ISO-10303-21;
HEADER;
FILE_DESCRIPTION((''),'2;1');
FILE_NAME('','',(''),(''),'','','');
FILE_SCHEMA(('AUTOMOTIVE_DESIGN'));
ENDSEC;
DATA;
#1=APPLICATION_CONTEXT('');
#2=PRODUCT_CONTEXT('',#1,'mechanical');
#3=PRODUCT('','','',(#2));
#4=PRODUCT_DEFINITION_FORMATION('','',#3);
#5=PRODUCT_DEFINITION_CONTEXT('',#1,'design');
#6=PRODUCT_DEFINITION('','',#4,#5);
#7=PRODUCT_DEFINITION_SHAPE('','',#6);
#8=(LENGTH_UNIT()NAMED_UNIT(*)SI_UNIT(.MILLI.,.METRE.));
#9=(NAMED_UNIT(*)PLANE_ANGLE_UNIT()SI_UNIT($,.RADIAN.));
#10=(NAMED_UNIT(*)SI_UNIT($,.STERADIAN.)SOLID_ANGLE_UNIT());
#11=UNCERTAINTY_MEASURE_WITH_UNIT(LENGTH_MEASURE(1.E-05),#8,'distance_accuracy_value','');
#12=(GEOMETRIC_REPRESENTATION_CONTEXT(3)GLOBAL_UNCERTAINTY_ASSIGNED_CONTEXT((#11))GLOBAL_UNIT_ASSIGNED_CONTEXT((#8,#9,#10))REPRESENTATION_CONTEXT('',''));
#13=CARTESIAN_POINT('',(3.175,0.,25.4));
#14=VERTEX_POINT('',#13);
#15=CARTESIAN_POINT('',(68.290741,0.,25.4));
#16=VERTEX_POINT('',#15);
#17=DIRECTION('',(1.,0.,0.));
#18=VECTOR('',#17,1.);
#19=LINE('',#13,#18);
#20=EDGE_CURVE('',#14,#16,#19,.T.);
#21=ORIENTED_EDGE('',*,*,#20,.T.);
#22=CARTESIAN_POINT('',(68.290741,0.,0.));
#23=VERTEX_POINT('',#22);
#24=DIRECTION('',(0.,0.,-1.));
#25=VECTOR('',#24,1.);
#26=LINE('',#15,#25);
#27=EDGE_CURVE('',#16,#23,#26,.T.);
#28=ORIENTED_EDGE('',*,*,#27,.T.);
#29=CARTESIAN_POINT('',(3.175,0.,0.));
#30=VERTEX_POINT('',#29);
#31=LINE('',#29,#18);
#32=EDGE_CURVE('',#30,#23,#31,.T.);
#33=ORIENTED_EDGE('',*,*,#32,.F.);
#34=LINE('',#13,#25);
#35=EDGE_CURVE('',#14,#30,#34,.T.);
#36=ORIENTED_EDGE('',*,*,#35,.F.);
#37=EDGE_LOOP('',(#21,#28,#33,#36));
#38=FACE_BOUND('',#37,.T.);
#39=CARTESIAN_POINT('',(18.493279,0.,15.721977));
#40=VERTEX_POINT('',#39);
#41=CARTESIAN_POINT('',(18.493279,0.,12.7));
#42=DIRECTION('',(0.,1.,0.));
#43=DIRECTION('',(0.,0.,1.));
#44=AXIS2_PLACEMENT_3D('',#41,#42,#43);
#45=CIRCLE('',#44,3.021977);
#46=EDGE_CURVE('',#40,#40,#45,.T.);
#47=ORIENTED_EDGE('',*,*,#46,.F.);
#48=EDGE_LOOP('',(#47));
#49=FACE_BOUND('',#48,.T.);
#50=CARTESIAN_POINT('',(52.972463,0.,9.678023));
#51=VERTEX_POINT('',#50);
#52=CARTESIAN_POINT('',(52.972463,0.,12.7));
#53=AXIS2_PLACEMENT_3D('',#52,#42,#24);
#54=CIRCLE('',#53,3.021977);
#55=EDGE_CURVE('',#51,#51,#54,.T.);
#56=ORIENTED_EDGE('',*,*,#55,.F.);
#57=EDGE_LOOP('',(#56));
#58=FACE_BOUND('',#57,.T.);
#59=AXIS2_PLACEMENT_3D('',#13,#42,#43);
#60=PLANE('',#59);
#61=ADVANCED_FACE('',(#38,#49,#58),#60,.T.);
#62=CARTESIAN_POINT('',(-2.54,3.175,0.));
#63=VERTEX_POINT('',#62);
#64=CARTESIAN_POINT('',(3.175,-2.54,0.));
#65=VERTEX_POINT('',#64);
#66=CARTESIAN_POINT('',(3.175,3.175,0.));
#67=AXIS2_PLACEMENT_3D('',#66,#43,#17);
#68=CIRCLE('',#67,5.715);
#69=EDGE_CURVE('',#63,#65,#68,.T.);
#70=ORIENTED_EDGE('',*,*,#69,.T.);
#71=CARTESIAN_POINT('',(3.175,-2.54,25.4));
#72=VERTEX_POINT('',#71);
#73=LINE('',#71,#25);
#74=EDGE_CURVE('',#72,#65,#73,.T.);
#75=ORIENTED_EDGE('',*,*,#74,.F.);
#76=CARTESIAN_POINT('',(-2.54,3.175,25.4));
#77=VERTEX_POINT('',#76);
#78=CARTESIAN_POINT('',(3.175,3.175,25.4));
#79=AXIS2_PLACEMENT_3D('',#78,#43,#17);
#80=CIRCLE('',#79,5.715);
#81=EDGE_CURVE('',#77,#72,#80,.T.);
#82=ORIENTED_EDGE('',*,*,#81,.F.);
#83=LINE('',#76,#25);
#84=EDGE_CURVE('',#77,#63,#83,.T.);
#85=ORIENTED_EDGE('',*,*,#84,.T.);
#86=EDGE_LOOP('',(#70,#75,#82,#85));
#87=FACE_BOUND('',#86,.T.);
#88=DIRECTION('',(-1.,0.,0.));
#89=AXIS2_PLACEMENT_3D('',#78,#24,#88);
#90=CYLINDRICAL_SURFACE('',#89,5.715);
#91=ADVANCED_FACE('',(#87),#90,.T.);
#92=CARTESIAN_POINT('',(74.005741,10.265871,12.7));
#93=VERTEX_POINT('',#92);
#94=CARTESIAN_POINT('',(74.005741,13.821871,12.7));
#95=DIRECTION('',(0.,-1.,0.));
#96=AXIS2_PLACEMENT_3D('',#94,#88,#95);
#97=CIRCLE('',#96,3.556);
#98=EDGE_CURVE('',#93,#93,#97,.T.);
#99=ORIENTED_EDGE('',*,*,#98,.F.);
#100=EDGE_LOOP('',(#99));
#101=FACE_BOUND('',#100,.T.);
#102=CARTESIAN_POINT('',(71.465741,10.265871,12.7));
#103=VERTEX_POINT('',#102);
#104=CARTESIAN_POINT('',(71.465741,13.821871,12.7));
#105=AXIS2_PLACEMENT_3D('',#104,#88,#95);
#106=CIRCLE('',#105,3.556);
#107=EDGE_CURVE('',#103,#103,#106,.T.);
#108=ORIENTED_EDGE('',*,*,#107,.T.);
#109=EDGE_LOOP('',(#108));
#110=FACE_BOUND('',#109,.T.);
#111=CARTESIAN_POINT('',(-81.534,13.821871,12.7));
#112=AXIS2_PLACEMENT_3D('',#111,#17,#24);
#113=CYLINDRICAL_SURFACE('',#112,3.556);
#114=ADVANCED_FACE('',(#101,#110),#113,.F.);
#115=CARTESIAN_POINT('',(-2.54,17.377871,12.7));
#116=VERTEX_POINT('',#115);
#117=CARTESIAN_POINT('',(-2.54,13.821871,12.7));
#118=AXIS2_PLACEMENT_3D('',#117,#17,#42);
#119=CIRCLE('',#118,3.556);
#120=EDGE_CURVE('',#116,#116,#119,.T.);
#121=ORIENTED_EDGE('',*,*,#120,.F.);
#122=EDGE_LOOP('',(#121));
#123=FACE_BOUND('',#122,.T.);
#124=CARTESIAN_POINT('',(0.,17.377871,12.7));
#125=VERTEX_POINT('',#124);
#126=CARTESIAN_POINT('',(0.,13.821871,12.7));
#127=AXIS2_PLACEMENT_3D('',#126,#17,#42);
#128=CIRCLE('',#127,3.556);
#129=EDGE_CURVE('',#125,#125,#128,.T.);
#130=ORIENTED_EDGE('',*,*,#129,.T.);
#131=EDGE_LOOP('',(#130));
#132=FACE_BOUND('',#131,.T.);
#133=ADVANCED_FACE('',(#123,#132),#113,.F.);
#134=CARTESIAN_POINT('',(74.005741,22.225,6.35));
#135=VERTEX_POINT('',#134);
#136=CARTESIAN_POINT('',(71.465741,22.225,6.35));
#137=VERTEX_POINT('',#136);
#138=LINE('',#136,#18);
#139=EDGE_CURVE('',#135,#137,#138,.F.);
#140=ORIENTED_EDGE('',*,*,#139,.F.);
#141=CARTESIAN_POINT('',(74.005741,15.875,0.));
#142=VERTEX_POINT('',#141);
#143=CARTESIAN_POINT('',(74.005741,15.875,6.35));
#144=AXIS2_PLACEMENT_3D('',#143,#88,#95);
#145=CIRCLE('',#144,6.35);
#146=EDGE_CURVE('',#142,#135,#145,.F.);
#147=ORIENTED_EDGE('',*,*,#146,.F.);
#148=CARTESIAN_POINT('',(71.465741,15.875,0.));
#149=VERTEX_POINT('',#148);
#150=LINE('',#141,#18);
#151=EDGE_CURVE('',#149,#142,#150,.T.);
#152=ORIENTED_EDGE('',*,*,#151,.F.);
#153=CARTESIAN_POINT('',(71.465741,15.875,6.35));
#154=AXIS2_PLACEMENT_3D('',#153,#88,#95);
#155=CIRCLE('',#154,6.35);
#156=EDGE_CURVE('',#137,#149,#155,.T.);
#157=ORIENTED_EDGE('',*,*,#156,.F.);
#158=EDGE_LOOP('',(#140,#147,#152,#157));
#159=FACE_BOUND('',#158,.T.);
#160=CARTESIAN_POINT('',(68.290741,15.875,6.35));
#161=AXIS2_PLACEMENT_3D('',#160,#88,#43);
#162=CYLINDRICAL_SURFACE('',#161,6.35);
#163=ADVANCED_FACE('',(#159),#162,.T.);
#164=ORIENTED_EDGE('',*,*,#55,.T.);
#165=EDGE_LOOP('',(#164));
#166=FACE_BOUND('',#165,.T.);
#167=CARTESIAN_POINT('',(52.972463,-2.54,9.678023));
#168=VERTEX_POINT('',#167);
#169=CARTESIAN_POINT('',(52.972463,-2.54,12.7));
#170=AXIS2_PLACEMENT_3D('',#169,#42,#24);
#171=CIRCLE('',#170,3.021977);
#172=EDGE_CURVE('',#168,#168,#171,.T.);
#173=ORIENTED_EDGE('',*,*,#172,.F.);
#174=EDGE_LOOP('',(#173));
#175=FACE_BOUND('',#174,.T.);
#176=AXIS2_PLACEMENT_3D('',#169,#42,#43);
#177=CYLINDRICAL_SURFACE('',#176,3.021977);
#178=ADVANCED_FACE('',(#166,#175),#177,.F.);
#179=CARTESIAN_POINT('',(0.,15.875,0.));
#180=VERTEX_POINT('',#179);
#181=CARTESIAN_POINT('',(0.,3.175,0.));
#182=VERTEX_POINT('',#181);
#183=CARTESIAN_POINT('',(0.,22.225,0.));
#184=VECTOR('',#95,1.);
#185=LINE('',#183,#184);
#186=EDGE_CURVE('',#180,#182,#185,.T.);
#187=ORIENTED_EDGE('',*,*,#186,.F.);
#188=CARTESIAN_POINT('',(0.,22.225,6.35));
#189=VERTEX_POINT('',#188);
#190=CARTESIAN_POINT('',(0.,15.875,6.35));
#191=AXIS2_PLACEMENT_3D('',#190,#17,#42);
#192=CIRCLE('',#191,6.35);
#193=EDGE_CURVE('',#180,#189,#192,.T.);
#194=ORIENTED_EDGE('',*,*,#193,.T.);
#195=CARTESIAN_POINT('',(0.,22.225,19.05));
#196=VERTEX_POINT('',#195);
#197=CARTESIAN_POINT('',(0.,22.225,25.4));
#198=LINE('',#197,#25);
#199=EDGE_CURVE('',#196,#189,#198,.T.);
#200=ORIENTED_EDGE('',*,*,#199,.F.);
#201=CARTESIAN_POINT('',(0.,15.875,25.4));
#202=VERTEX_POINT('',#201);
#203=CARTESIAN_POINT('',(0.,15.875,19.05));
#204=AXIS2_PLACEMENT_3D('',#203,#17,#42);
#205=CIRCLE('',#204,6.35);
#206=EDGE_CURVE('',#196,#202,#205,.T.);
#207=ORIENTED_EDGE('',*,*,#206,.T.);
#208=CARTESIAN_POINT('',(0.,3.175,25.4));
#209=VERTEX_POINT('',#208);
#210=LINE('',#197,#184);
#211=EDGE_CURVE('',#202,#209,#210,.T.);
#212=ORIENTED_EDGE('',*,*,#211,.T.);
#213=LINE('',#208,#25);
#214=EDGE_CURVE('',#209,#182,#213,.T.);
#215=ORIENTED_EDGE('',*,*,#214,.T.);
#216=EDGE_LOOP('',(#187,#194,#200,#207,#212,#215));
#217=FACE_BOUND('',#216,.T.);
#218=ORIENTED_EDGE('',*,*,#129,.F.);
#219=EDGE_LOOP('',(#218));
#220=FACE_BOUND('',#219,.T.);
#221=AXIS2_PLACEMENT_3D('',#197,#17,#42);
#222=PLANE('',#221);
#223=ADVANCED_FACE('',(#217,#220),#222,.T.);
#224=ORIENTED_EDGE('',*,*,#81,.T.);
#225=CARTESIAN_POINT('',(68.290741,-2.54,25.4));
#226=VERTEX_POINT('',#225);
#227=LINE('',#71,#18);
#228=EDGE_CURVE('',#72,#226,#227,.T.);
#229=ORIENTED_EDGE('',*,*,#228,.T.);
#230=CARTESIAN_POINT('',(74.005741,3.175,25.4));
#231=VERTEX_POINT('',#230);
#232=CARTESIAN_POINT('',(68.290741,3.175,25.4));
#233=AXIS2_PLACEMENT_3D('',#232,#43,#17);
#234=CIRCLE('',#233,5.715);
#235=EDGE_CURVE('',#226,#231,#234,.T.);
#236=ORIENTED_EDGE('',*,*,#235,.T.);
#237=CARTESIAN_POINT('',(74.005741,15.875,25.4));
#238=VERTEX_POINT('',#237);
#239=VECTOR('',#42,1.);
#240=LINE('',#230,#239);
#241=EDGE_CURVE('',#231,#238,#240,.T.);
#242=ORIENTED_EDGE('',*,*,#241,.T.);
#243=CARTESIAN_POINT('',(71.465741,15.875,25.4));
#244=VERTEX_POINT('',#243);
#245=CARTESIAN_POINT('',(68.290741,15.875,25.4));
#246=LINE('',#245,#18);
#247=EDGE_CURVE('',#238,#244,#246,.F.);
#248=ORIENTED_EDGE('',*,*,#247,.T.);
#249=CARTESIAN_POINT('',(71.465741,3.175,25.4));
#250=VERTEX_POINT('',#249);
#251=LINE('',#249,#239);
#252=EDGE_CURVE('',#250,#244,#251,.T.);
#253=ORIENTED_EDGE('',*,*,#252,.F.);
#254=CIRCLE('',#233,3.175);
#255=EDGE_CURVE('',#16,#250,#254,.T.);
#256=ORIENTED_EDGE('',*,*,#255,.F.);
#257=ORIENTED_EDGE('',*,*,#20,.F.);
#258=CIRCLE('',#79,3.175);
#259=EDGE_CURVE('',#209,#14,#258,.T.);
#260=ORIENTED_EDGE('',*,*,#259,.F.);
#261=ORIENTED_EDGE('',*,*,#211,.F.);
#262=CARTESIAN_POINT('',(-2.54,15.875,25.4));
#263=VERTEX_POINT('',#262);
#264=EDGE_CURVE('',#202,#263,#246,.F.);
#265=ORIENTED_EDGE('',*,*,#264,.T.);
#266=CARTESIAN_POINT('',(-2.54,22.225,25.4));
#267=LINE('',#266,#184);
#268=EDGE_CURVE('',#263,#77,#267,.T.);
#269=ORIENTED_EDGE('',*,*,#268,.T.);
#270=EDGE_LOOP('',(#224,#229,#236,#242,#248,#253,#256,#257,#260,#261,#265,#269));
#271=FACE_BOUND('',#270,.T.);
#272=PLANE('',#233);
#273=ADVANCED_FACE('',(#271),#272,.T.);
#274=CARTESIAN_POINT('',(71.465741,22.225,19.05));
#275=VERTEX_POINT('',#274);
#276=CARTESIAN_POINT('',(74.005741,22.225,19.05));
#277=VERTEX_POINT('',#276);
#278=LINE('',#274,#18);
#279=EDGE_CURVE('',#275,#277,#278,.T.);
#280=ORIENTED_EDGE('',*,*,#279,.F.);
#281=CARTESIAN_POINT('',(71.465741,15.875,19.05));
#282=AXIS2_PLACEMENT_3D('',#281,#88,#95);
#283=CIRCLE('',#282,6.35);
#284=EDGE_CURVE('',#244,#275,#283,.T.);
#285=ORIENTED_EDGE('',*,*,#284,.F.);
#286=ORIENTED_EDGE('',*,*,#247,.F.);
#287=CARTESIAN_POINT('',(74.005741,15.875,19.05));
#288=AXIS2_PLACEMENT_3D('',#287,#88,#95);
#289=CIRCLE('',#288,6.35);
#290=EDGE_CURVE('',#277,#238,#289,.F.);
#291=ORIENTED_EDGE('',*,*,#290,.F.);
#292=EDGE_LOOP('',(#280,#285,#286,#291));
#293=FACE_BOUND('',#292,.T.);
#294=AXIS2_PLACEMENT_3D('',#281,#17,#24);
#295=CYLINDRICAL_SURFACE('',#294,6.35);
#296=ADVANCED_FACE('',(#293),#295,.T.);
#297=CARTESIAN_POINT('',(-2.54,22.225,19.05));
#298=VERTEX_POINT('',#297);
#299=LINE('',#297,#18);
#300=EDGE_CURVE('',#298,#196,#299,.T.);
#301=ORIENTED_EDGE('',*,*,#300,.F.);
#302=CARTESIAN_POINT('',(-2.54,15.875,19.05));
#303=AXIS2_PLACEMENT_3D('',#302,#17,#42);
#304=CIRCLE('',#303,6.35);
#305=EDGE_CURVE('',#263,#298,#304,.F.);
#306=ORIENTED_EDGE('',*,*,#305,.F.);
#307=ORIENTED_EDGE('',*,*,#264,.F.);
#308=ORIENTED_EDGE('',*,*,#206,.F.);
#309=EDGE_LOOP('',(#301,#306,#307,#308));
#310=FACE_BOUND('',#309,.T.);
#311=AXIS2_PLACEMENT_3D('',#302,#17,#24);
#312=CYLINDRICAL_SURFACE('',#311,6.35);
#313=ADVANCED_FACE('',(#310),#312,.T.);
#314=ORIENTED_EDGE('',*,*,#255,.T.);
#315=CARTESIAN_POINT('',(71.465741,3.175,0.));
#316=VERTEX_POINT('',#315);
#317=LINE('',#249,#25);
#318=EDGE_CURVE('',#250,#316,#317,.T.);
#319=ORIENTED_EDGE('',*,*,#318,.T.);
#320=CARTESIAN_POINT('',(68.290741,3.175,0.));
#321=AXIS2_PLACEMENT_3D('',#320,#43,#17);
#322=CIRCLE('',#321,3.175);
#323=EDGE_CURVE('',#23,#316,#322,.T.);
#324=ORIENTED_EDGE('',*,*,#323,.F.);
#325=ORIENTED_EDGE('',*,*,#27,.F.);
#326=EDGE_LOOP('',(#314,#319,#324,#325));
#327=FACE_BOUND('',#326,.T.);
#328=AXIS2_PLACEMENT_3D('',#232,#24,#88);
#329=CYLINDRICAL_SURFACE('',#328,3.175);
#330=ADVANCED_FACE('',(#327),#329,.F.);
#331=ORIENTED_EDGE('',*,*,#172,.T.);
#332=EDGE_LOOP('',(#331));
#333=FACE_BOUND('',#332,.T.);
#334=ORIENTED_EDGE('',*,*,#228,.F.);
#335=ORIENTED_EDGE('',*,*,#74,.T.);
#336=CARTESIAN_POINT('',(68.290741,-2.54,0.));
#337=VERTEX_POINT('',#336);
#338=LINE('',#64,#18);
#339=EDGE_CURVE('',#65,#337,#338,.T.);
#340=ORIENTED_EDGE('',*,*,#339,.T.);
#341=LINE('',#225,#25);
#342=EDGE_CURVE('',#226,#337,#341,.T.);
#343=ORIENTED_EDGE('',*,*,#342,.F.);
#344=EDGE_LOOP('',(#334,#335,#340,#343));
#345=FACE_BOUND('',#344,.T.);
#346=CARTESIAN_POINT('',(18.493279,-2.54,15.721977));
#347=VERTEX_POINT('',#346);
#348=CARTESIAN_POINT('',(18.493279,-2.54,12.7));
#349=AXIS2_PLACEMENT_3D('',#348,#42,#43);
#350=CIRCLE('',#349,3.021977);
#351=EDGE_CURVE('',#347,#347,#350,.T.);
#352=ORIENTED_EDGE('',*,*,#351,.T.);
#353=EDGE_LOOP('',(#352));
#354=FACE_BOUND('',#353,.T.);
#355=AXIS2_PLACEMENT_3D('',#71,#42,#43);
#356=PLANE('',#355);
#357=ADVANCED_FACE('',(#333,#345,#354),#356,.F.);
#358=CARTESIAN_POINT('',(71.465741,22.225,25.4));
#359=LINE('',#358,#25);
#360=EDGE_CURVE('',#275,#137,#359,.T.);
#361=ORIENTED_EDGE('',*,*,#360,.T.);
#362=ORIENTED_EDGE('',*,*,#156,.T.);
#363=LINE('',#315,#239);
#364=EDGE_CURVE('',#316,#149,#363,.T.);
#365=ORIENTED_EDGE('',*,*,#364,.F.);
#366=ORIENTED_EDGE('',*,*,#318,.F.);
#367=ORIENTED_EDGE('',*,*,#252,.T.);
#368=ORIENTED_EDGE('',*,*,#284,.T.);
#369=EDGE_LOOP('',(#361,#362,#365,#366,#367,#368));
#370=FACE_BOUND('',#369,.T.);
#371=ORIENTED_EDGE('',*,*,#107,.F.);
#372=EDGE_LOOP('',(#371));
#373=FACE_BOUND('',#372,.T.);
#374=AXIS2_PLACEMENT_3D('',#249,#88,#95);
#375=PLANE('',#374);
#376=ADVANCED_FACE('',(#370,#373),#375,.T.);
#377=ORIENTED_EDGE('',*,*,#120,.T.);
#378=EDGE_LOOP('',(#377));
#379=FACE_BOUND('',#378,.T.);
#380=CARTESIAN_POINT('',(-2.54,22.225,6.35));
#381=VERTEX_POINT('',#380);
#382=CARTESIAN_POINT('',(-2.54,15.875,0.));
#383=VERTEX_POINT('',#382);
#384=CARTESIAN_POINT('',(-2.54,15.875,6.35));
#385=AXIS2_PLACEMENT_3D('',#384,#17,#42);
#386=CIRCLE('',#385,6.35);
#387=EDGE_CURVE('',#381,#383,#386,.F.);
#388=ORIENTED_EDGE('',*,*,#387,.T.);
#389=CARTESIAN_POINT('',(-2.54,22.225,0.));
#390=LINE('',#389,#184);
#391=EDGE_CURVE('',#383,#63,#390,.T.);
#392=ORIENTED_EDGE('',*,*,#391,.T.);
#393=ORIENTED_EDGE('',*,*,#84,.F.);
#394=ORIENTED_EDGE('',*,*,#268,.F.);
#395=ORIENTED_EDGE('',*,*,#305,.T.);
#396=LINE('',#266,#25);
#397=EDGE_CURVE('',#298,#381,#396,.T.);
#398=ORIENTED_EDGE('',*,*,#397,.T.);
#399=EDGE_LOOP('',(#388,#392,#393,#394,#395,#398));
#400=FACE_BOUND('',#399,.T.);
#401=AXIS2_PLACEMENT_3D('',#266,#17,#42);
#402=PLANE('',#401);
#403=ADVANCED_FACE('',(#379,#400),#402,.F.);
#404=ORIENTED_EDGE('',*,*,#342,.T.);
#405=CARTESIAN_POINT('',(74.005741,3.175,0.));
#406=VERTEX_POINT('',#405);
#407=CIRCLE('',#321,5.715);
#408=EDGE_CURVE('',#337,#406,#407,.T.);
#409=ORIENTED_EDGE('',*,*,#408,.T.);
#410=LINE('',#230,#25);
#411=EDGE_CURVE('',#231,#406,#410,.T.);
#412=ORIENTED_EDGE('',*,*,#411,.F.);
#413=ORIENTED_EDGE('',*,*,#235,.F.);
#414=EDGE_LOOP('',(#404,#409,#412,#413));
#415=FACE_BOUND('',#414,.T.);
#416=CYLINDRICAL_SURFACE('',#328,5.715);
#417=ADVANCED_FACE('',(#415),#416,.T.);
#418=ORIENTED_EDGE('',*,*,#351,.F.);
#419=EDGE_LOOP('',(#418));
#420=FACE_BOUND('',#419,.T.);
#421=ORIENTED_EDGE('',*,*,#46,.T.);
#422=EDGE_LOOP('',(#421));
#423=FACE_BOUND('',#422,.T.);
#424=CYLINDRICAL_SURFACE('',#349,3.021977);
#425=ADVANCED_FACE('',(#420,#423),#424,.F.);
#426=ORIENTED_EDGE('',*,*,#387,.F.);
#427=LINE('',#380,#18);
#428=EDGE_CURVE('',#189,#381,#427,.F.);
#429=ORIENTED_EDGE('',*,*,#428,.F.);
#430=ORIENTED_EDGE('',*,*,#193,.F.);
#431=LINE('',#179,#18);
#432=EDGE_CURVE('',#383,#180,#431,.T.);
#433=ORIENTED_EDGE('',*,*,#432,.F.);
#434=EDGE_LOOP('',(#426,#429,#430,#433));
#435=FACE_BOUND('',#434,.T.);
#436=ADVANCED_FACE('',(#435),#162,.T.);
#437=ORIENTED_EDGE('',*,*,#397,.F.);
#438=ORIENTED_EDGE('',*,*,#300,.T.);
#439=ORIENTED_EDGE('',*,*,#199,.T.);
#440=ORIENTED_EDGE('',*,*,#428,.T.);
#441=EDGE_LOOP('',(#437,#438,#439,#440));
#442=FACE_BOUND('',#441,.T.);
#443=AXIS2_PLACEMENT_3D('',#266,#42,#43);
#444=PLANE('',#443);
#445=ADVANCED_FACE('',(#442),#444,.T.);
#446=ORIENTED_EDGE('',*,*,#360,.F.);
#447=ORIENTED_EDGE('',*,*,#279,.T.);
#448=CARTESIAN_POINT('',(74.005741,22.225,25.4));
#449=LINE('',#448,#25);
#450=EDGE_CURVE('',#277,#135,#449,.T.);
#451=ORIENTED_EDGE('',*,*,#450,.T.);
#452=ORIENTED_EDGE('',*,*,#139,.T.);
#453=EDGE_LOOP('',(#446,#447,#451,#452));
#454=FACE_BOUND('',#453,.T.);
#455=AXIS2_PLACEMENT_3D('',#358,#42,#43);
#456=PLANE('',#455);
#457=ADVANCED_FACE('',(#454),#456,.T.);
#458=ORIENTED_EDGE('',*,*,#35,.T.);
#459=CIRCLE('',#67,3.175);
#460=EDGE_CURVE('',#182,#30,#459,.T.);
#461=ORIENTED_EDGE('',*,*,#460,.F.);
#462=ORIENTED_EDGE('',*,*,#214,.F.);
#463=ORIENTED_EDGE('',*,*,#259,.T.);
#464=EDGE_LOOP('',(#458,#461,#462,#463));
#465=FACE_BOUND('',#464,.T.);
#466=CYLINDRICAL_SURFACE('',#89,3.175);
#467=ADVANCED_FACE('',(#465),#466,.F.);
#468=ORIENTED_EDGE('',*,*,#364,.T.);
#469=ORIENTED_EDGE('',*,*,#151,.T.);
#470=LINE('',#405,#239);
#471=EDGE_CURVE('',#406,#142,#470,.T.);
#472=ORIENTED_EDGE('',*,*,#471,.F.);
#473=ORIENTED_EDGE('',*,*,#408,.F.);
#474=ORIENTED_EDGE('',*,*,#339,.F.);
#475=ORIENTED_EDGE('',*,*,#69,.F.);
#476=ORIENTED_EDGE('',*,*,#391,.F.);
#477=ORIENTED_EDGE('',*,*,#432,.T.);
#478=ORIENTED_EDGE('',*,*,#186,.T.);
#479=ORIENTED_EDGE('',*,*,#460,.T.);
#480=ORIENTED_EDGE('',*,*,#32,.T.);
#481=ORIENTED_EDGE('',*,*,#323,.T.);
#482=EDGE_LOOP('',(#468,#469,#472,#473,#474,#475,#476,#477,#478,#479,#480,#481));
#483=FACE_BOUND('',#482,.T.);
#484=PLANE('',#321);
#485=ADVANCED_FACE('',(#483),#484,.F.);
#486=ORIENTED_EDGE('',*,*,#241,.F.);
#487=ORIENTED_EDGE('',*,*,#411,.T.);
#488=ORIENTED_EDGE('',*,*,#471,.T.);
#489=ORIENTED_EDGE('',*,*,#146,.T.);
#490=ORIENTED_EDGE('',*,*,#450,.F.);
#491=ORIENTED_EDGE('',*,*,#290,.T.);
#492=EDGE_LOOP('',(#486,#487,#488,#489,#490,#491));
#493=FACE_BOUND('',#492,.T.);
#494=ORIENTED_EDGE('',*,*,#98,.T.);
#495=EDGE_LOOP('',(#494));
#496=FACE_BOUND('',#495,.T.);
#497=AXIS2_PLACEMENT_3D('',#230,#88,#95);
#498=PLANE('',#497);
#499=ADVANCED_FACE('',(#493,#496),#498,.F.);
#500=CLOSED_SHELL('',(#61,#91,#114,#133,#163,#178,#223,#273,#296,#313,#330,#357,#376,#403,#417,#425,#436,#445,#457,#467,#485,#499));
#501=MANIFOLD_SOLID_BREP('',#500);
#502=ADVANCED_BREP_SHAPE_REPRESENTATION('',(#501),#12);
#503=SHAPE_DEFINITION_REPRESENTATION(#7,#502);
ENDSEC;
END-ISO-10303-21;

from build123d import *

# Parameters (mm, degrees)
EXTRUDE_THIN1_DEPTH = 25.4
SKETCH3_R           = 3.021976596
EXTRUDE2_DEPTH      = 82.338554141
SKETCH4_R           = 3.556
EXTRUDE3_DEPTH      = 81.534
FILLET1_R           = 6.35


with BuildPart() as part:
    # Sketch1 → Extrude-Thin1 (new body)
    with BuildSketch(Plane.XY):
        with BuildLine():
            Line((0, 22.225), (0, 3.175))
            ThreePointArc((0, 3.175), (0.92993597, 0.92993597), (3.175, 0))
            Line((3.175, 0), (68.290741431, 0))
            ThreePointArc((68.290741431, 0), (70.535805461, 0.92993597), (71.465741431, 3.175))
            Line((71.465741431, 3.175), (71.465741431, 22.225))
            Line((71.465741431, 22.225), (74.005741431, 22.225))
            Line((74.005741431, 22.225), (74.005741431, 3.175))
            ThreePointArc((74.005741431, 3.175), (72.331856686, -0.866115254), (68.290741431, -2.54))
            Line((68.290741431, -2.54), (3.175, -2.54))
            ThreePointArc((3.175, -2.54), (-0.866115254, -0.866115254), (-2.54, 3.175))
            Line((-2.54, 3.175), (-2.54, 22.225))
            Line((-2.54, 22.225), (0, 22.225))
        make_face()
    extrude(amount=EXTRUDE_THIN1_DEPTH)

    # Sketch3 → Extrude2 (cut, through all)
    with BuildSketch(Plane(origin=(0, 0, 0), x_dir=(1, 0, 0), z_dir=(0, 1, 0))):
        with Locations(Location((18.493278585, -12.7, 0), (0, 0, 270))):
            Circle(SKETCH3_R)
        with Locations(Location((52.972462846, -12.7, 0), (0, 0, 90))):
            Circle(SKETCH3_R)
    extrude(amount=-EXTRUDE2_DEPTH, mode=Mode.SUBTRACT)

    # Sketch4 → Extrude3 (cut, symmetric)
    with BuildSketch(Plane(origin=(0, 0, 0), x_dir=(0, 0, -1), z_dir=(1, 0, 0))):
        with Locations(Location((-12.7, 13.821871469, 0), (0, 0, 90))):
            Circle(SKETCH4_R)
    extrude(amount=EXTRUDE3_DEPTH, both=True, mode=Mode.SUBTRACT)

    # Fillet1
    fillet1_edges = [part.edges().sort_by_distance(p)[0] for p in [
        (-1.27, 22.225, 0),
        (72.735741431, 22.225, 0),
        (-1.27, 22.225, 25.4),
        (72.735741431, 22.225, 25.4),
    ]]
    fillet(fillet1_edges, radius=FILLET1_R)


solid = part.part
